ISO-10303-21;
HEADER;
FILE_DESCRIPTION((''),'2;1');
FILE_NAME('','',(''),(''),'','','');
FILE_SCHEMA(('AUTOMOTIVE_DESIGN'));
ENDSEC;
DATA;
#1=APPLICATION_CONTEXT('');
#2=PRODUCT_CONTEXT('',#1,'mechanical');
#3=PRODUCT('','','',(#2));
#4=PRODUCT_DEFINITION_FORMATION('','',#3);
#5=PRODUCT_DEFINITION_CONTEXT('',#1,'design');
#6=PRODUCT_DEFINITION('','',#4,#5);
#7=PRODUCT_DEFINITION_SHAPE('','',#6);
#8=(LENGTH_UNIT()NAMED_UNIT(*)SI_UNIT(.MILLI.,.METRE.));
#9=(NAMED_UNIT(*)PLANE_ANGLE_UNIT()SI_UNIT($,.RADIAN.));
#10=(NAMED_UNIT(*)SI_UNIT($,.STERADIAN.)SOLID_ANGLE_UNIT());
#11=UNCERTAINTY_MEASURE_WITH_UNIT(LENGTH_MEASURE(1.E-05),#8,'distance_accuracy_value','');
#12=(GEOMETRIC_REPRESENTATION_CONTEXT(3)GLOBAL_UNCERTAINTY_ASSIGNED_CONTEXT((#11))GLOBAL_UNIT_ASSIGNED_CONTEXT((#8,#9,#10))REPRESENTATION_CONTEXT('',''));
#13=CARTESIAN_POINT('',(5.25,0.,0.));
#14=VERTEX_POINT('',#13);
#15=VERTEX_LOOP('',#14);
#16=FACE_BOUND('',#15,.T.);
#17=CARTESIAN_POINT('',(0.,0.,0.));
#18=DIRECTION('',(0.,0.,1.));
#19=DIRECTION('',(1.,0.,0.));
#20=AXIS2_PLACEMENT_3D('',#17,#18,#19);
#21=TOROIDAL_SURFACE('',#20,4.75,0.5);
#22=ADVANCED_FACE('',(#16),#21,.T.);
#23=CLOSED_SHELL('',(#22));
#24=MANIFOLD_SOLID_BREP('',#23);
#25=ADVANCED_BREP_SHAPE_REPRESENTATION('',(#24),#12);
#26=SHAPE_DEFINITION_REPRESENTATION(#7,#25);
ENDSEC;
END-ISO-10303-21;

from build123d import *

# Parameters (mm, degrees)
SKETCH1_R = 0.5


with BuildPart() as part:
    # Sketch1 → Revolve1 (revolve)
    with BuildSketch(Plane(origin=(0, 0, 0), x_dir=(0, -1, 0), z_dir=(1, 0, 0))):
        with Locations((4.75, 0)):
            Circle(SKETCH1_R)
    revolve(axis=Axis((0, 0, 0.5), (0, 0, -1)))


solid = part.part
